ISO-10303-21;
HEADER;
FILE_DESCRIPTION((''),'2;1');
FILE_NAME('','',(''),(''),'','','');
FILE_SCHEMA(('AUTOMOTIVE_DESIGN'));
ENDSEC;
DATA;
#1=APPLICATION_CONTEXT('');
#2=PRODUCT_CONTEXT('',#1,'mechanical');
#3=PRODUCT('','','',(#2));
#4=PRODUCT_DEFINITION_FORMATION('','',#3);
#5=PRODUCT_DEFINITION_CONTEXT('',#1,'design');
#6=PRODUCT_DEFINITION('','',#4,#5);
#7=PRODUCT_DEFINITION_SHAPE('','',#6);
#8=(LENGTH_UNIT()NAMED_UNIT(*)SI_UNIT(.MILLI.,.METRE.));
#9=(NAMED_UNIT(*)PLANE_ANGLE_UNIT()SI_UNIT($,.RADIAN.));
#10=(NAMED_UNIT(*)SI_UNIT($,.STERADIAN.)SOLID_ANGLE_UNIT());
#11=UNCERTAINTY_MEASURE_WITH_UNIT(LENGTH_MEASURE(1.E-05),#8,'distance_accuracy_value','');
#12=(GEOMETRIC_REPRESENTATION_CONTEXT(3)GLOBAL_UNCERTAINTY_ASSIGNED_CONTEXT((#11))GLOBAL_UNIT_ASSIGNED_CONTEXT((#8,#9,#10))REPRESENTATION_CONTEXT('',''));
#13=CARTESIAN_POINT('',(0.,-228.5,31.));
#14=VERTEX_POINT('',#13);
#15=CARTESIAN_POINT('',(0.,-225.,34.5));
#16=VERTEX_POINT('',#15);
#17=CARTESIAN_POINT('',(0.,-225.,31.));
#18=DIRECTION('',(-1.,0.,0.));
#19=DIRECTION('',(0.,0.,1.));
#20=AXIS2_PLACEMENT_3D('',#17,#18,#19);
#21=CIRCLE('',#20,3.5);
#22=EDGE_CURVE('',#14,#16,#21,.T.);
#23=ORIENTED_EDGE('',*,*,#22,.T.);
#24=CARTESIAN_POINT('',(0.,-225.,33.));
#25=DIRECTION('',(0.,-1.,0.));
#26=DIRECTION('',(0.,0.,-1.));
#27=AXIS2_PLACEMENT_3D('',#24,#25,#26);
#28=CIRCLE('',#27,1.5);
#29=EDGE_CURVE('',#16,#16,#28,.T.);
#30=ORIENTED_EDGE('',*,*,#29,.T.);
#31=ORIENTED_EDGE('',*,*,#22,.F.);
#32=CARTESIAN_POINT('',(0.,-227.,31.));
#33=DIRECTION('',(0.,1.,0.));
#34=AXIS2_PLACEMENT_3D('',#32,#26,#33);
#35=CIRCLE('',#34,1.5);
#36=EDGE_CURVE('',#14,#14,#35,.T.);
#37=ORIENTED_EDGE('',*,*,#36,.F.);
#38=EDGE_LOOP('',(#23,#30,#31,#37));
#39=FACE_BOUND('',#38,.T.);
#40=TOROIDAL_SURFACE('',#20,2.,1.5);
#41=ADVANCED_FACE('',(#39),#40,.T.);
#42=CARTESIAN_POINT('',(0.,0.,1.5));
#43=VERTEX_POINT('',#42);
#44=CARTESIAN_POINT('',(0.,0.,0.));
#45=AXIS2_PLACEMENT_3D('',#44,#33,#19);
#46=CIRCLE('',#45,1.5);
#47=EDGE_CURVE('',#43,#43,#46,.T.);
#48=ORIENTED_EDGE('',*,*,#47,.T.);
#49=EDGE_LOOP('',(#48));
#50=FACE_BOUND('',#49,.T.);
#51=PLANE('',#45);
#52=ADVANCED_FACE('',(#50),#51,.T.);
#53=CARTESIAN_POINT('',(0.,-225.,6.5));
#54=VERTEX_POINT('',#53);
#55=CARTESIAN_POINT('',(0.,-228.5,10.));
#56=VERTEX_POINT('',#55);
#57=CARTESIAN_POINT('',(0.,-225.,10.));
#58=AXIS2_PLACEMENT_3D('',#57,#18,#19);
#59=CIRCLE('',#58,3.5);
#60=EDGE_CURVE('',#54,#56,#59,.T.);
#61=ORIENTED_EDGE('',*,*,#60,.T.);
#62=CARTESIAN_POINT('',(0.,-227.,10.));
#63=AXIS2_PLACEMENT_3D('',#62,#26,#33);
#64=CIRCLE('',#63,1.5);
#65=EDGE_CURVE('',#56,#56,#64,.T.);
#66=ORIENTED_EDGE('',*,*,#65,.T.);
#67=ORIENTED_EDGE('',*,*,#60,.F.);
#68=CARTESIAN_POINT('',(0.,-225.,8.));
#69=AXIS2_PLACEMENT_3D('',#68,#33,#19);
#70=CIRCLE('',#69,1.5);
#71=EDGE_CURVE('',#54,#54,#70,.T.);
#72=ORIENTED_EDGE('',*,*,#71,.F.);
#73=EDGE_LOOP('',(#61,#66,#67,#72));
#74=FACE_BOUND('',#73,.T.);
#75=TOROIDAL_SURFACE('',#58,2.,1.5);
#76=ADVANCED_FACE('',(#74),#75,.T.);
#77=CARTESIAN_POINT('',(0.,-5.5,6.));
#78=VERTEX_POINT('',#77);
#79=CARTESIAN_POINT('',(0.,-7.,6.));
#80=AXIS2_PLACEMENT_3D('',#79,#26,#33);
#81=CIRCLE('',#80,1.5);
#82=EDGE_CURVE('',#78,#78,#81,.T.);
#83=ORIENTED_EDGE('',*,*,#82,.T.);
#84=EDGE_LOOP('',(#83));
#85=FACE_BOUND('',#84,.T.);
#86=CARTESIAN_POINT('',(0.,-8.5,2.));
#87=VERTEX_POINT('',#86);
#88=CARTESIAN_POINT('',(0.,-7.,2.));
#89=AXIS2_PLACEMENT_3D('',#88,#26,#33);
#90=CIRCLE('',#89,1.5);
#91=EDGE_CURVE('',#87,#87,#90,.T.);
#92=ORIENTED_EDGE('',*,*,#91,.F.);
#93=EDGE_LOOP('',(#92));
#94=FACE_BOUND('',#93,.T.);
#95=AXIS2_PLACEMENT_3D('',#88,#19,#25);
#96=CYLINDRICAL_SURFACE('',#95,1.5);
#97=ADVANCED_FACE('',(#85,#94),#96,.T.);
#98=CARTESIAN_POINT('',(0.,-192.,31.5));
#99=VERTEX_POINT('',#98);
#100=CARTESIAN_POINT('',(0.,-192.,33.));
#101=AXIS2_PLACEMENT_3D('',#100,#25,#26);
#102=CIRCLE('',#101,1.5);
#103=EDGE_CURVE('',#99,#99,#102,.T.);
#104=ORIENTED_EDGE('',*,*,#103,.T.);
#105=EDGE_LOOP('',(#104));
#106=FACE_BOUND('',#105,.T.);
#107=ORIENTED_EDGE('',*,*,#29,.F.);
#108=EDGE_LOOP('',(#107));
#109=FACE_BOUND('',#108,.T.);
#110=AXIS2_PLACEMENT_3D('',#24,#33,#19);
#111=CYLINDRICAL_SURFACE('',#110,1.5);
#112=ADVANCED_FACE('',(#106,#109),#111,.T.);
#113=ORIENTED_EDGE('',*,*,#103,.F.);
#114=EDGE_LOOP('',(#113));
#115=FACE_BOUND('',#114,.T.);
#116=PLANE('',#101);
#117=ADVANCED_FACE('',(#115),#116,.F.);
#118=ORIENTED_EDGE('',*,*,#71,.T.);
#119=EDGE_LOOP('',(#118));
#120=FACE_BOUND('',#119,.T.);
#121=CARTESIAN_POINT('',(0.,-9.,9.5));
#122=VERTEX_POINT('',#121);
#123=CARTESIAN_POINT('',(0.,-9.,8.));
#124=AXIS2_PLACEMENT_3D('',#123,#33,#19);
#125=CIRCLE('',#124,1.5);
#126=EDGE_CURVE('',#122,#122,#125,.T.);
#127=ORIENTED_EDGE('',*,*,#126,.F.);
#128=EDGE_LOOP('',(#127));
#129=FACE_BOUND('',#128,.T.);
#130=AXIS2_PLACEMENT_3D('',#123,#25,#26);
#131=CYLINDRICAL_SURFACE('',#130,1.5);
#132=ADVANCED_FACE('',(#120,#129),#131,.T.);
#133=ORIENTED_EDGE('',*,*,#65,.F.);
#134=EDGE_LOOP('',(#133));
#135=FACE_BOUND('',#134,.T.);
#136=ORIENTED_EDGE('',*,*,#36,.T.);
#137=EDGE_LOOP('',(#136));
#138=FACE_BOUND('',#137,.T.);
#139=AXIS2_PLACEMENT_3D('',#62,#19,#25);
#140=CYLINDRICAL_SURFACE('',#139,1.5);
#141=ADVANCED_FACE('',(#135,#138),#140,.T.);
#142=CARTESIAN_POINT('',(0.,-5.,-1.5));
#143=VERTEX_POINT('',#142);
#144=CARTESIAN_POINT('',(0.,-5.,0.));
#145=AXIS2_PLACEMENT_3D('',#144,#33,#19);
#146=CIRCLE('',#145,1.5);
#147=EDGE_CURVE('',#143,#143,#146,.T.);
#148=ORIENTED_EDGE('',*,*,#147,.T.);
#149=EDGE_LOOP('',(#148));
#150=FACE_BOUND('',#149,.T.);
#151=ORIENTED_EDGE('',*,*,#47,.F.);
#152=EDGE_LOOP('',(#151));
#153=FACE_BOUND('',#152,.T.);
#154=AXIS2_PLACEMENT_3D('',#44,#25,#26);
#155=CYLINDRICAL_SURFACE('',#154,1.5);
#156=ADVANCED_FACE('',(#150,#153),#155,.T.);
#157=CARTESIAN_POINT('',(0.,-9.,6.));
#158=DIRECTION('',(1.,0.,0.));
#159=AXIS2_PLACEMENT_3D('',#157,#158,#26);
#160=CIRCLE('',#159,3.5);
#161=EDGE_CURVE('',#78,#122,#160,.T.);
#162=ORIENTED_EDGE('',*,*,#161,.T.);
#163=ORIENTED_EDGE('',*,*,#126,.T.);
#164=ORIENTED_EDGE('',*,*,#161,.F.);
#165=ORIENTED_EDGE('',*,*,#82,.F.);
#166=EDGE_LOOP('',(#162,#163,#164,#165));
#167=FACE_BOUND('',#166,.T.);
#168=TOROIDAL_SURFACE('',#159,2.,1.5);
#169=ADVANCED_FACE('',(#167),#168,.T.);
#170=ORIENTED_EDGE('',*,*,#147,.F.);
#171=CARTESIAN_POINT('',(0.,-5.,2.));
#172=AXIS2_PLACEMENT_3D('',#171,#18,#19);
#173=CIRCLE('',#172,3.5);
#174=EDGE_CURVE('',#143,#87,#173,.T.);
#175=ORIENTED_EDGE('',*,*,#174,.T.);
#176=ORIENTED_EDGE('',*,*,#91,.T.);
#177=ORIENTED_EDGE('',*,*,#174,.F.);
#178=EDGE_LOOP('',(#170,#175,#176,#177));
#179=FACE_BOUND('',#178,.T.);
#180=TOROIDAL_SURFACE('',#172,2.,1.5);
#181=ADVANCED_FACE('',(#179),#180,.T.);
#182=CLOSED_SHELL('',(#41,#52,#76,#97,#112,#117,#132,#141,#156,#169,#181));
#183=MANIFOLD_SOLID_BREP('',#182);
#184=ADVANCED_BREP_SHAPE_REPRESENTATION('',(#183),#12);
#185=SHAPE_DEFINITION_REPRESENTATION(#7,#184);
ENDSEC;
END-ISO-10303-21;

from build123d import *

# Parameters (mm, degrees)
SKETCH_3_R = 1.5


with BuildPart() as part:
    # По траектории1: sweep along a path in Эскиз1
    with BuildLine(Plane(origin=(0, 0, 0), x_dir=(0, 0, -1), z_dir=(1, 0, 0))) as sweep_1_path:
        Line((0, 0), (0, -5))
        ThreePointArc((0, -5), (-0.585786438, -6.414213562), (-2, -7))
        Line((-2, -7), (-6, -7))
        ThreePointArc((-6, -7), (-7.414213562, -7.585786438), (-8, -9))
        Line((-8, -9), (-8, -225))
        ThreePointArc((-8, -225), (-8.585786438, -226.414213562), (-10, -227))
        Line((-10, -227), (-31, -227))
        ThreePointArc((-31, -227), (-32.414213562, -226.414213562), (-33, -225))
        Line((-33, -225), (-33, -192))
    # Эскиз3 → По траектории1 (sweep)
    with BuildSketch(Plane(origin=(0, 0, 0), x_dir=(1, 0, 0), z_dir=(0, 1, 0))):
        Circle(SKETCH_3_R)
    sweep(path=sweep_1_path.line)


solid = part.part
